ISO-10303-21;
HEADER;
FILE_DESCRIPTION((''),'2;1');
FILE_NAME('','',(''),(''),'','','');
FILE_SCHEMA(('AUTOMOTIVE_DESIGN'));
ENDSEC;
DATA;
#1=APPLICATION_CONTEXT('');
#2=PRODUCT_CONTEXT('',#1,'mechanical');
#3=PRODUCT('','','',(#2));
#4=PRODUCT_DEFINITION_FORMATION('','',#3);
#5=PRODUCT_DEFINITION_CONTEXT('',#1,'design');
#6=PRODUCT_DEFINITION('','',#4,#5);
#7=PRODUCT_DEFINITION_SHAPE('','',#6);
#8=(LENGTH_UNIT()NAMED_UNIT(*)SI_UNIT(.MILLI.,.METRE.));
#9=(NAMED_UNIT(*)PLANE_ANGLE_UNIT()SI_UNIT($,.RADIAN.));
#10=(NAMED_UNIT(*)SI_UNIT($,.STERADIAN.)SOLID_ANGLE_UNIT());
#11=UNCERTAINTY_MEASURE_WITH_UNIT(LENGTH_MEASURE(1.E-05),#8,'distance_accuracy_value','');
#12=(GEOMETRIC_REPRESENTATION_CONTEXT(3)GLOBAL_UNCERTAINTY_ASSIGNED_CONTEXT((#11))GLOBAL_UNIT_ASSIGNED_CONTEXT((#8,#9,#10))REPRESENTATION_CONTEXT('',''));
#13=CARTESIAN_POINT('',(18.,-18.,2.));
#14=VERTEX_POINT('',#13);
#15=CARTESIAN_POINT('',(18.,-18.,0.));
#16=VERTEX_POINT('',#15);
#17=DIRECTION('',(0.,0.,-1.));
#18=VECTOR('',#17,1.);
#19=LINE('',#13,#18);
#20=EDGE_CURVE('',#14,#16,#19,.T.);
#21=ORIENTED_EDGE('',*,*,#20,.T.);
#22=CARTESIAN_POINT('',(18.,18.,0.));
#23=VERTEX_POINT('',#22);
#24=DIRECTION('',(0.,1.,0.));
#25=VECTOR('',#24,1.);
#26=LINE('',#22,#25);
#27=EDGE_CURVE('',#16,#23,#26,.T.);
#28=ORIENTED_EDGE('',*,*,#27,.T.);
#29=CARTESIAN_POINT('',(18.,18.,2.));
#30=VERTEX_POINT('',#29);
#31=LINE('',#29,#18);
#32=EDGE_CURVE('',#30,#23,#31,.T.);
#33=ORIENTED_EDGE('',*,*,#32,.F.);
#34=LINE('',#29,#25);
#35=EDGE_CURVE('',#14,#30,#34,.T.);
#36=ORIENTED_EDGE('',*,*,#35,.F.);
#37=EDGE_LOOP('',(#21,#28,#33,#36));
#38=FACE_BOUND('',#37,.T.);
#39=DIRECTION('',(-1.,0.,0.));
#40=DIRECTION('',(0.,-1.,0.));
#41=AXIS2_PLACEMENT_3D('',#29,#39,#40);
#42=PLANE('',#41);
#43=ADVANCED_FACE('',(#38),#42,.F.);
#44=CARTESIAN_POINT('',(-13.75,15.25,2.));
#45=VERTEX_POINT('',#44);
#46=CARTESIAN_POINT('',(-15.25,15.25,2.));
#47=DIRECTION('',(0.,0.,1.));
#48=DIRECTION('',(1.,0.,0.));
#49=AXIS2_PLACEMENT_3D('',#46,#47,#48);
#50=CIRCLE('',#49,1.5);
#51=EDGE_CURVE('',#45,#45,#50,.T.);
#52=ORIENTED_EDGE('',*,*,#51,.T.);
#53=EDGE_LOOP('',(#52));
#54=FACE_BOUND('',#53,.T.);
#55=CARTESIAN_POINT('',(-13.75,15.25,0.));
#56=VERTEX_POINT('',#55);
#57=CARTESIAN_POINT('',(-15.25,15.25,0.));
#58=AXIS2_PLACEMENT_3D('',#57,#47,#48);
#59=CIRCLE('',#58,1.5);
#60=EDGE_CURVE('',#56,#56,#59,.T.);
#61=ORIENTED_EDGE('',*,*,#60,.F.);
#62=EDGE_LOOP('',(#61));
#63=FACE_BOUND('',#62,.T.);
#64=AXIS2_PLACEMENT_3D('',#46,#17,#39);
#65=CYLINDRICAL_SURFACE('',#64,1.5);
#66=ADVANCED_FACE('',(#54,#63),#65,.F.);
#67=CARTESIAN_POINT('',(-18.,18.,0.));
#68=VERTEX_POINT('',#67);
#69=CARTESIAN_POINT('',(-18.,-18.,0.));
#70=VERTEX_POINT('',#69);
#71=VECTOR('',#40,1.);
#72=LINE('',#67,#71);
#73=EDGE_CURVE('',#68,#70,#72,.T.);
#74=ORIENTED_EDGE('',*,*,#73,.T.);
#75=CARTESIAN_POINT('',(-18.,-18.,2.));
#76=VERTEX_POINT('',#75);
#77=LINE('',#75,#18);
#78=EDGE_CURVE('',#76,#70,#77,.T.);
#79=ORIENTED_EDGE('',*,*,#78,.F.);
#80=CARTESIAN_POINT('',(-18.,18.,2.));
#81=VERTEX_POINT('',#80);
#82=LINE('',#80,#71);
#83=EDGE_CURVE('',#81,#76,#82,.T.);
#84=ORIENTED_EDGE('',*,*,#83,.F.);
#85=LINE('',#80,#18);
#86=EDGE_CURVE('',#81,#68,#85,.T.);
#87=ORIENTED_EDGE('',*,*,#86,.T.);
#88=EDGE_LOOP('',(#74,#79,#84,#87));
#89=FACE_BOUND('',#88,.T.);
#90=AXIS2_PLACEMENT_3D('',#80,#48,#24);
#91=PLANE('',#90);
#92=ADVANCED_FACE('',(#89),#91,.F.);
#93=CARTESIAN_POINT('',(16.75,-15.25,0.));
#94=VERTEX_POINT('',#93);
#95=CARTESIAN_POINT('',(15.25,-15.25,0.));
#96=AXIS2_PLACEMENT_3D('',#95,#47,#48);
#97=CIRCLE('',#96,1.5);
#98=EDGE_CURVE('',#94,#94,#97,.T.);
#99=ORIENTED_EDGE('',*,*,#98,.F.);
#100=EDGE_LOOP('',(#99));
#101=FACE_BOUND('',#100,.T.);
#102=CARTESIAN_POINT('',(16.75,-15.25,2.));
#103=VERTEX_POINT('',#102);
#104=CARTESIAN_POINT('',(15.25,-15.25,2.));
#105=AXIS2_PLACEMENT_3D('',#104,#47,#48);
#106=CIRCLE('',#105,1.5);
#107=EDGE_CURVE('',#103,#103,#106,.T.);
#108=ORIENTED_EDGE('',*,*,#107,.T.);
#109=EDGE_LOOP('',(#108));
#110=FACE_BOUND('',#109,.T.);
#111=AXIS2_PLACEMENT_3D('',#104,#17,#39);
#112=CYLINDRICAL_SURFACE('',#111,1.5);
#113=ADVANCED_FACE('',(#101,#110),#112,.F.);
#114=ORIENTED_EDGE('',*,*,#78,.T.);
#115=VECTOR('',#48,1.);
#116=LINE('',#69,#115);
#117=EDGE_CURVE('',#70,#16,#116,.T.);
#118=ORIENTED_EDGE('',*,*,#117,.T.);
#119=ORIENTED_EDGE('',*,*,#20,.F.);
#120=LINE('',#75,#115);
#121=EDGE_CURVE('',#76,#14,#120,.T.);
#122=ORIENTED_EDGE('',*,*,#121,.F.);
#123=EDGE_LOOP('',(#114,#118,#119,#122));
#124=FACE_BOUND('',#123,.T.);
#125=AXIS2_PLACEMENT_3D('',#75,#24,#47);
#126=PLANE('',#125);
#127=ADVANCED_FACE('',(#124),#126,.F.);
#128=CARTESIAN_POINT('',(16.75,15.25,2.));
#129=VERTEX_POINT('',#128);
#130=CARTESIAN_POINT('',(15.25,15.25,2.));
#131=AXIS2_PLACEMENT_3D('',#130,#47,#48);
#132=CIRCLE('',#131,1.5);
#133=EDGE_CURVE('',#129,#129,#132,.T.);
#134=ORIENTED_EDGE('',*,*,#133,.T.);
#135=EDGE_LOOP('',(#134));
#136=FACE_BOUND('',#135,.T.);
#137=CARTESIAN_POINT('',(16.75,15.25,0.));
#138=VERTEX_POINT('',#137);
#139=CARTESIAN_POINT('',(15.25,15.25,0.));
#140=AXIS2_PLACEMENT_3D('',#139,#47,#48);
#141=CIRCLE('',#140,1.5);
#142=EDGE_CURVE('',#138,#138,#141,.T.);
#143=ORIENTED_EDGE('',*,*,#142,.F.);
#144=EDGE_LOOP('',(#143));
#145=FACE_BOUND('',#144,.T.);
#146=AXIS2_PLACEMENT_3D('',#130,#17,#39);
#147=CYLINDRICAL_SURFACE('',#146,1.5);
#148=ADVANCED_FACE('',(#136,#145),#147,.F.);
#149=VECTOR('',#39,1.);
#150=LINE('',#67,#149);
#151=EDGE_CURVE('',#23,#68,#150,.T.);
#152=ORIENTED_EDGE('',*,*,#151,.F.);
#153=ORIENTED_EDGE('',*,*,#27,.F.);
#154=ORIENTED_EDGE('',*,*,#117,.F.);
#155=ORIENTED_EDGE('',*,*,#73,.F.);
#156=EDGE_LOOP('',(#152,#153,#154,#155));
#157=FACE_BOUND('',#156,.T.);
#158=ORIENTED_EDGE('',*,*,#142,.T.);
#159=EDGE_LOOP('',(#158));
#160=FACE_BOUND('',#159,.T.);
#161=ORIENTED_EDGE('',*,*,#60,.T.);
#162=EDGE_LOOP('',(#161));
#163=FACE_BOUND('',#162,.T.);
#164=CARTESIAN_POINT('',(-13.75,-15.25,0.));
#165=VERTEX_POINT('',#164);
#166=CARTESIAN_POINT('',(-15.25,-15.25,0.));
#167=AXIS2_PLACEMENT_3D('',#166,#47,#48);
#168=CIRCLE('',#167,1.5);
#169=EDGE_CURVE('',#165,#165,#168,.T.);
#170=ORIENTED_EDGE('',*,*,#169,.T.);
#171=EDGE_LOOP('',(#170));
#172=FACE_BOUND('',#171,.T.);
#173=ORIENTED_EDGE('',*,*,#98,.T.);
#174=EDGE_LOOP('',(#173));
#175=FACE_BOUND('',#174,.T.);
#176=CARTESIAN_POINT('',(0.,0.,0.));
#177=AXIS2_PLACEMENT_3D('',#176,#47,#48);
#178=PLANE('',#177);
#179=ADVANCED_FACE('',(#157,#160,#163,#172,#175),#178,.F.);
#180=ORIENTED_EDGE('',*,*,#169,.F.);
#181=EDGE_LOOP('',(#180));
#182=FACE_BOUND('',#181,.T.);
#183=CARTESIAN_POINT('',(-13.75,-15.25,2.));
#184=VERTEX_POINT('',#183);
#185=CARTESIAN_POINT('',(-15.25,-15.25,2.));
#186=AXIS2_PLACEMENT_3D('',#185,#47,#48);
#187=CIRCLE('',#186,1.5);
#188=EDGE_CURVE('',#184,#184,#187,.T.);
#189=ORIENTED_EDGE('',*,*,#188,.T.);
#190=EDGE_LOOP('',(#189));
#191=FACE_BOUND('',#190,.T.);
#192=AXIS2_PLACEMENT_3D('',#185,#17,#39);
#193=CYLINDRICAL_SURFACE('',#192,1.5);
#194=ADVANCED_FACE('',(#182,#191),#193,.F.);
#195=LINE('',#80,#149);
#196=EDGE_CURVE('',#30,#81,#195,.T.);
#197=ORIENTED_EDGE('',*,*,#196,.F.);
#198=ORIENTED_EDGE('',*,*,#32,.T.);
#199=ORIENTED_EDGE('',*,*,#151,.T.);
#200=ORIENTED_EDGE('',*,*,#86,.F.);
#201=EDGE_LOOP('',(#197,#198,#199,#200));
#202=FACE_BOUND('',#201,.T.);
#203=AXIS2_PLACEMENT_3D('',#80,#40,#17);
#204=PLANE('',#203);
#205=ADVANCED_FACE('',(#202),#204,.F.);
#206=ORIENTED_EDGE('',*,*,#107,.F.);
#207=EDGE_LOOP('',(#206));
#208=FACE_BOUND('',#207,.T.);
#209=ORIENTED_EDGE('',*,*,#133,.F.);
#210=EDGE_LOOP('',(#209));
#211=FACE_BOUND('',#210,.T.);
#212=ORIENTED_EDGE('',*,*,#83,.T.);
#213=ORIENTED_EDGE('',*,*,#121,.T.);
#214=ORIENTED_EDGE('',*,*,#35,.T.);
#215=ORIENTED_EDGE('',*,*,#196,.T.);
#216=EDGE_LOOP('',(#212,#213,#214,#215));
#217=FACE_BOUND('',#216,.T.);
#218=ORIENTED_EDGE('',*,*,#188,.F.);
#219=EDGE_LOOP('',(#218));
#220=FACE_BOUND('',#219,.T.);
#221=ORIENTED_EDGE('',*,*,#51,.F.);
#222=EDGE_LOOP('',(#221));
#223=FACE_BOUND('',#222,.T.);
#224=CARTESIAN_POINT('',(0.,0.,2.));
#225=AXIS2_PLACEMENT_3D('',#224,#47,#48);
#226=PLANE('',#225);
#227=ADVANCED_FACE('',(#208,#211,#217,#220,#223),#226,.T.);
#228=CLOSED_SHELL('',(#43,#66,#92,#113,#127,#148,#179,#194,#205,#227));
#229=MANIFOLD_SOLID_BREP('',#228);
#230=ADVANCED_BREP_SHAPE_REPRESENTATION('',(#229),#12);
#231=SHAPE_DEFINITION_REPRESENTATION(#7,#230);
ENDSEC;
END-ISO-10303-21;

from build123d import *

# Parameters (mm, degrees)
ESQUISSE1_W        = 36
ESQUISSE1_H        = 36
ESQUISSE1_R        = 1.5
BOSS_EXTRU_1_DEPTH = 2


with BuildPart() as part:
    # Esquisse1 → Boss.-Extru.1 (new body)
    with BuildSketch(Plane.XY):
        Rectangle(ESQUISSE1_W, ESQUISSE1_H)
        with Locations((15.25, 15.25)):
            Circle(ESQUISSE1_R, mode=Mode.SUBTRACT)
        with Locations((-15.25, 15.25)):
            Circle(ESQUISSE1_R, mode=Mode.SUBTRACT)
        with Locations((-15.25, -15.25)):
            Circle(ESQUISSE1_R, mode=Mode.SUBTRACT)
        with Locations((15.25, -15.25)):
            Circle(ESQUISSE1_R, mode=Mode.SUBTRACT)
    extrude(amount=BOSS_EXTRU_1_DEPTH)


solid = part.part
